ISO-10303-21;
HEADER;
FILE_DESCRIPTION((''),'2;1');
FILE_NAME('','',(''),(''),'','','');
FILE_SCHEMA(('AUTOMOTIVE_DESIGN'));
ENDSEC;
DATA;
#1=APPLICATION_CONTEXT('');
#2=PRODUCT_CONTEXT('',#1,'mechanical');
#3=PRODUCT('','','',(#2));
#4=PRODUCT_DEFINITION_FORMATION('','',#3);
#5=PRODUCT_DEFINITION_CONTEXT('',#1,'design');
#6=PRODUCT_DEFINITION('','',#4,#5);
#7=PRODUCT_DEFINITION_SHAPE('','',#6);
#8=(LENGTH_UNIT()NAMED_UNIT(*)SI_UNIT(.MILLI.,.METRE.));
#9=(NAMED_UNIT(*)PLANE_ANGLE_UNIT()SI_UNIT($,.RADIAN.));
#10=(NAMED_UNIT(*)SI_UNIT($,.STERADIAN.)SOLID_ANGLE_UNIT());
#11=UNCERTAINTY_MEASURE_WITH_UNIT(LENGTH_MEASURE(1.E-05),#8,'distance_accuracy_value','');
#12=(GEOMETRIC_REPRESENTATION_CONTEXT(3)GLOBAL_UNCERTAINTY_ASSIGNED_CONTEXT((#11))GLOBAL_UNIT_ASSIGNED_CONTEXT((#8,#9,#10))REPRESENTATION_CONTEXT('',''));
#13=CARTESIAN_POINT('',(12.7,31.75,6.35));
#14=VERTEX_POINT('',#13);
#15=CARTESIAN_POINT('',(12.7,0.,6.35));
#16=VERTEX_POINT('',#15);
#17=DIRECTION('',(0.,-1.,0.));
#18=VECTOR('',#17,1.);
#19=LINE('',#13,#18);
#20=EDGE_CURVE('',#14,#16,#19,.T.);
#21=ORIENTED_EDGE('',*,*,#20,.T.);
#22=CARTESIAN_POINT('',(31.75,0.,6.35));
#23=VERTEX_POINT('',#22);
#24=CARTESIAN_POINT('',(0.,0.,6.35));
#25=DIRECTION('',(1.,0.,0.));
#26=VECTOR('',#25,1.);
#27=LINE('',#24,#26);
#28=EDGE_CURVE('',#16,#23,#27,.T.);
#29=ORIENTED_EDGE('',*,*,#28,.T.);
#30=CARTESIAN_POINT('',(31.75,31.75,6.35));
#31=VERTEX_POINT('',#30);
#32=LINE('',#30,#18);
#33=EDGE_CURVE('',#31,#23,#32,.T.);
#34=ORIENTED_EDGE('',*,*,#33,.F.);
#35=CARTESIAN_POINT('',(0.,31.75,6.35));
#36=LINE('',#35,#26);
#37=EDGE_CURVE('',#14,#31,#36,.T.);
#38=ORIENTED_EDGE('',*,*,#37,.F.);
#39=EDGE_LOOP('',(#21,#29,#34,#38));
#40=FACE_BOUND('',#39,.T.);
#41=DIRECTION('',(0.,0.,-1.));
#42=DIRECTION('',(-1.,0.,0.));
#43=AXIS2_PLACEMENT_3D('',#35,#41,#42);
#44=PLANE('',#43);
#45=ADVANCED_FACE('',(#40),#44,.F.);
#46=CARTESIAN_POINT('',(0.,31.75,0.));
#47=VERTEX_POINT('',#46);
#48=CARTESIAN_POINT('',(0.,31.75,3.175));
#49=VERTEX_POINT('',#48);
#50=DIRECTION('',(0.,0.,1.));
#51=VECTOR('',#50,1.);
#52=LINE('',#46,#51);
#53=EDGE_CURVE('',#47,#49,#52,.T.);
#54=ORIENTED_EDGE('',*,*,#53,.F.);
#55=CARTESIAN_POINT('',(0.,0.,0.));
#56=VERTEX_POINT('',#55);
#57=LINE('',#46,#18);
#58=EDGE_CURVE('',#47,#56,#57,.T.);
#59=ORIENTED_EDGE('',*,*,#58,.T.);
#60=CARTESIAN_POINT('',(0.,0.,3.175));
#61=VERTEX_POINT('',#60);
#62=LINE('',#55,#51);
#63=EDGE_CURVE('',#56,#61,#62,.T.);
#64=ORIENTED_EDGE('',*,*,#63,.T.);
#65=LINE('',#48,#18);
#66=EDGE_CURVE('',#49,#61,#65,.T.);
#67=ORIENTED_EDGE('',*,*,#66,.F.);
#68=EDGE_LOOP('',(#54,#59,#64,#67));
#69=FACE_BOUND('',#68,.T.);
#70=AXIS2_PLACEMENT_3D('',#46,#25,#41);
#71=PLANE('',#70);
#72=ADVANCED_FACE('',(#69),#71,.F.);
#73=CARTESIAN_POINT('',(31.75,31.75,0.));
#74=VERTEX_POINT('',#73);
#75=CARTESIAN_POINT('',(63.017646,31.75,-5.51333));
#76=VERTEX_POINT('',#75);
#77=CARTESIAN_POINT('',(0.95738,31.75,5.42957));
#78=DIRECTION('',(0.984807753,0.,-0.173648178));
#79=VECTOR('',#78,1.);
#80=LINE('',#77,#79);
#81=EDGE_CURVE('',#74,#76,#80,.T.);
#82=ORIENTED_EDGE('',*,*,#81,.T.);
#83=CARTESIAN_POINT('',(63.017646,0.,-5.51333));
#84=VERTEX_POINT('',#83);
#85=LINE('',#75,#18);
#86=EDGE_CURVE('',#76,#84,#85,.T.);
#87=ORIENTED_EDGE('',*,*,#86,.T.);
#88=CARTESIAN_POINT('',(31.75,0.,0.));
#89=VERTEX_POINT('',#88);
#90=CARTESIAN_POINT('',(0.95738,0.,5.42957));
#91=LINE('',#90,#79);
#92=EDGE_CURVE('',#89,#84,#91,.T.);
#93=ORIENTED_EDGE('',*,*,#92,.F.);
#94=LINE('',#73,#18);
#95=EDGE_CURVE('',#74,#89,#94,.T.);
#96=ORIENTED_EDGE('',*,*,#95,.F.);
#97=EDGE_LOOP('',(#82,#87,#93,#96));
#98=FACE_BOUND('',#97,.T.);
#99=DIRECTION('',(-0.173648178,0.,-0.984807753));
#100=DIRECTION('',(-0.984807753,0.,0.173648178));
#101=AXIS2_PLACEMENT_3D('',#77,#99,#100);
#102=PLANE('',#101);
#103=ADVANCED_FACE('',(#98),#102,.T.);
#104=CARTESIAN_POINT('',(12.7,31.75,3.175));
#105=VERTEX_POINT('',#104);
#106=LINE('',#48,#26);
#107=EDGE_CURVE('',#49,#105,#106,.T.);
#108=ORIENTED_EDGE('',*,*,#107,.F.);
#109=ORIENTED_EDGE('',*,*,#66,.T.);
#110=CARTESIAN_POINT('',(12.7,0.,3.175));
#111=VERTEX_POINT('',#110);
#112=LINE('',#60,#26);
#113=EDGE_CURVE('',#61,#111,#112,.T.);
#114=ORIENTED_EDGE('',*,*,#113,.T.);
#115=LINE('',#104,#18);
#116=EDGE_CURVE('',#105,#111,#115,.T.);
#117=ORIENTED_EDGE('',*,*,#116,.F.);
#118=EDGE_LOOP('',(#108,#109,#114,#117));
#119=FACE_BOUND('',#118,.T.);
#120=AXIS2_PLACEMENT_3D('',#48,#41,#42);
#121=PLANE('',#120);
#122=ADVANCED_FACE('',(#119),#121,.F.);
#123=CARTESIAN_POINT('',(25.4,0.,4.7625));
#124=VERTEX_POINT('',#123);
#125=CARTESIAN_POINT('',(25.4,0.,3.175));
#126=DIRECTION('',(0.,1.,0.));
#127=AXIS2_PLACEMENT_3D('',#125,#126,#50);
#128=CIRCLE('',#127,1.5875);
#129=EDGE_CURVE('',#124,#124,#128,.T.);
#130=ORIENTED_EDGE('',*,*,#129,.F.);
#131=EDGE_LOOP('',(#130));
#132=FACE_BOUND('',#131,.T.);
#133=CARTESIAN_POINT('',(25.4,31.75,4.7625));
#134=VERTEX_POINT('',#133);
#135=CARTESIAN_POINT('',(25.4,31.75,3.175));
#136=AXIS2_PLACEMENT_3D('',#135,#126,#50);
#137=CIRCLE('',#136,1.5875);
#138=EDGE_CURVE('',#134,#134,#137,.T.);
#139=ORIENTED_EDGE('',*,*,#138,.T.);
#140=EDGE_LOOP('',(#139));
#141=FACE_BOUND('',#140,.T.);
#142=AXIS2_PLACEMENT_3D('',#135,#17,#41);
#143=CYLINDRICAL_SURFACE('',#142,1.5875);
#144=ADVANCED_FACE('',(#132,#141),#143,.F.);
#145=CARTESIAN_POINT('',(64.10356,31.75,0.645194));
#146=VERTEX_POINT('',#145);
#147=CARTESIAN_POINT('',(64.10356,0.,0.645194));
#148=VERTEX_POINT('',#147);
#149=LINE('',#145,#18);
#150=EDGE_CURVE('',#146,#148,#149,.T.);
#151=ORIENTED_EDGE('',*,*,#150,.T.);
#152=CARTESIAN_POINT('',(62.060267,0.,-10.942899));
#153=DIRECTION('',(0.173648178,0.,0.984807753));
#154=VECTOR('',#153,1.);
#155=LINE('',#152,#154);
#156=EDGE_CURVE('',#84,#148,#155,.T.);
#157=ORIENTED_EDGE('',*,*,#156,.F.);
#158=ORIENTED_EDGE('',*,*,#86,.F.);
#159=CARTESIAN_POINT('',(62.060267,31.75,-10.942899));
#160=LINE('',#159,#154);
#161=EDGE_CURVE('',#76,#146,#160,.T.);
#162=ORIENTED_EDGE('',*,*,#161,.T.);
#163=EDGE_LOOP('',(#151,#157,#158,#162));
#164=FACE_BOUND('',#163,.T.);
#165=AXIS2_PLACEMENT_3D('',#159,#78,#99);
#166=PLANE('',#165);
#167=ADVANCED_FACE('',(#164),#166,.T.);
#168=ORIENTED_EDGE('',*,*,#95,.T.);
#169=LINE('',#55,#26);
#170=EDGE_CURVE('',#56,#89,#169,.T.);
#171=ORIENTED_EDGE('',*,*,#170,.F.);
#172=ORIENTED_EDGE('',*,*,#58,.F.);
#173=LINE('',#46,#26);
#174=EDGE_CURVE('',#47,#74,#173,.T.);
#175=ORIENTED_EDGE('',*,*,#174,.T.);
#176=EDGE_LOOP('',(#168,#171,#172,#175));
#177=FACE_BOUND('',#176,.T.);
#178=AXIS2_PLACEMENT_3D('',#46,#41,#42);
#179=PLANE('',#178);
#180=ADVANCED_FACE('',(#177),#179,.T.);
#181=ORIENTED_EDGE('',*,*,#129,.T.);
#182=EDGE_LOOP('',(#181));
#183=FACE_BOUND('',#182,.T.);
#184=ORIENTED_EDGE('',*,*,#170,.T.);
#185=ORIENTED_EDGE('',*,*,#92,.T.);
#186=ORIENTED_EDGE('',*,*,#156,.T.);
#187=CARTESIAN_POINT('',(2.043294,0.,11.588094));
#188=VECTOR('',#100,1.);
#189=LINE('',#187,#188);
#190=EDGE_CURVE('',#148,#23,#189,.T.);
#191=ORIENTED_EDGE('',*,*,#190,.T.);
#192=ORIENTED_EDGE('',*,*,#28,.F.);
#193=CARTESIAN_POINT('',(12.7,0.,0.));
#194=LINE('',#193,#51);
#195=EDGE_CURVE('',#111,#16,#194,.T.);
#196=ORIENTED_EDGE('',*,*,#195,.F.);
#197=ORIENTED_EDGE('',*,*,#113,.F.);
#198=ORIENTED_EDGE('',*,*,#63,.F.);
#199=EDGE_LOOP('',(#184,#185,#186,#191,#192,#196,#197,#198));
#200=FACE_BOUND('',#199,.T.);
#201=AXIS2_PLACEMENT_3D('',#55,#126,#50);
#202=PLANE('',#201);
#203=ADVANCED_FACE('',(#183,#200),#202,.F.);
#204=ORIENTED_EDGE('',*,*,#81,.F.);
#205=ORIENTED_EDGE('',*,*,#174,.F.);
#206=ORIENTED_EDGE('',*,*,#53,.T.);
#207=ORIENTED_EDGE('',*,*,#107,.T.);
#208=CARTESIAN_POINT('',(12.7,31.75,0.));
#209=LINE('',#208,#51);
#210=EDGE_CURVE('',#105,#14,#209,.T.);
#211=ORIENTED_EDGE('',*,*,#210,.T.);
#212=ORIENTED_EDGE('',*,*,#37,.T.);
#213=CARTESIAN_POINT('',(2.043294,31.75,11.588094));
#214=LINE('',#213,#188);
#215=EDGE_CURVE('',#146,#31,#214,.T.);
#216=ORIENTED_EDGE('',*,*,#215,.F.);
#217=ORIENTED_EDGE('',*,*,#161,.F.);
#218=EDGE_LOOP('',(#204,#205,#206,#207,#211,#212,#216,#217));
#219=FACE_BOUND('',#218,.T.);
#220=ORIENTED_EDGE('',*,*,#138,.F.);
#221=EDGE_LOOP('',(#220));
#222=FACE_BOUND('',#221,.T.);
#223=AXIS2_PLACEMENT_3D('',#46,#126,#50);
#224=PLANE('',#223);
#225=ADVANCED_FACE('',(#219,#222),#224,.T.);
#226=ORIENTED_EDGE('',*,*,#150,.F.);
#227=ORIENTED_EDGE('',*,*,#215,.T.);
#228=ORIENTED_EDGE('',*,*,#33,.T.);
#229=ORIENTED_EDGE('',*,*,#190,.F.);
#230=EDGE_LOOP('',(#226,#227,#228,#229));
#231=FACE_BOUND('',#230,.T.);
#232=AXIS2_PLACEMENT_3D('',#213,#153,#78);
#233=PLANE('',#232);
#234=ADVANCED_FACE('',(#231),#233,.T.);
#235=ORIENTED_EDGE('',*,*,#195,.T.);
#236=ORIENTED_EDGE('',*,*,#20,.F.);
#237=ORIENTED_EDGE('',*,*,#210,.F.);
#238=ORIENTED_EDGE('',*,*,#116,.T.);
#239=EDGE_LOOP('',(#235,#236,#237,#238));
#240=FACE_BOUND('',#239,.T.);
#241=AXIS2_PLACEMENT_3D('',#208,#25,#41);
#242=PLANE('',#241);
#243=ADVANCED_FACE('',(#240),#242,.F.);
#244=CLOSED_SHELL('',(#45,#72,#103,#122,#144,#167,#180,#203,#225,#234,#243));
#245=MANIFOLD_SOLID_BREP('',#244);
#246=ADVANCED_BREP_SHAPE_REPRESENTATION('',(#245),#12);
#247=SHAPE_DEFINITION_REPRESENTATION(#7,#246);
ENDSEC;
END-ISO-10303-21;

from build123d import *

# Parameters (mm, degrees)
SKETCH1_R           = 1.5875
BOSS_EXTRUDE1_DEPTH = 31.75


with BuildPart() as part:
    # Sketch1 → Boss-Extrude1 (new body)
    with BuildSketch(Plane(origin=(0, 0, 0), x_dir=(1, 0, 0), z_dir=(0, 1, 0))):
        Polygon((12.7, -6.35), (31.75, -6.35), (64.103560113, -0.64519443), (63.017646158, 5.513329641), (31.75, 0), (0, 0), (0, -3.175), (12.7, -3.175), align=None)
        with Locations((25.4, -3.175)):
            Circle(SKETCH1_R, mode=Mode.SUBTRACT)
    extrude(amount=BOSS_EXTRUDE1_DEPTH)


solid = part.part
